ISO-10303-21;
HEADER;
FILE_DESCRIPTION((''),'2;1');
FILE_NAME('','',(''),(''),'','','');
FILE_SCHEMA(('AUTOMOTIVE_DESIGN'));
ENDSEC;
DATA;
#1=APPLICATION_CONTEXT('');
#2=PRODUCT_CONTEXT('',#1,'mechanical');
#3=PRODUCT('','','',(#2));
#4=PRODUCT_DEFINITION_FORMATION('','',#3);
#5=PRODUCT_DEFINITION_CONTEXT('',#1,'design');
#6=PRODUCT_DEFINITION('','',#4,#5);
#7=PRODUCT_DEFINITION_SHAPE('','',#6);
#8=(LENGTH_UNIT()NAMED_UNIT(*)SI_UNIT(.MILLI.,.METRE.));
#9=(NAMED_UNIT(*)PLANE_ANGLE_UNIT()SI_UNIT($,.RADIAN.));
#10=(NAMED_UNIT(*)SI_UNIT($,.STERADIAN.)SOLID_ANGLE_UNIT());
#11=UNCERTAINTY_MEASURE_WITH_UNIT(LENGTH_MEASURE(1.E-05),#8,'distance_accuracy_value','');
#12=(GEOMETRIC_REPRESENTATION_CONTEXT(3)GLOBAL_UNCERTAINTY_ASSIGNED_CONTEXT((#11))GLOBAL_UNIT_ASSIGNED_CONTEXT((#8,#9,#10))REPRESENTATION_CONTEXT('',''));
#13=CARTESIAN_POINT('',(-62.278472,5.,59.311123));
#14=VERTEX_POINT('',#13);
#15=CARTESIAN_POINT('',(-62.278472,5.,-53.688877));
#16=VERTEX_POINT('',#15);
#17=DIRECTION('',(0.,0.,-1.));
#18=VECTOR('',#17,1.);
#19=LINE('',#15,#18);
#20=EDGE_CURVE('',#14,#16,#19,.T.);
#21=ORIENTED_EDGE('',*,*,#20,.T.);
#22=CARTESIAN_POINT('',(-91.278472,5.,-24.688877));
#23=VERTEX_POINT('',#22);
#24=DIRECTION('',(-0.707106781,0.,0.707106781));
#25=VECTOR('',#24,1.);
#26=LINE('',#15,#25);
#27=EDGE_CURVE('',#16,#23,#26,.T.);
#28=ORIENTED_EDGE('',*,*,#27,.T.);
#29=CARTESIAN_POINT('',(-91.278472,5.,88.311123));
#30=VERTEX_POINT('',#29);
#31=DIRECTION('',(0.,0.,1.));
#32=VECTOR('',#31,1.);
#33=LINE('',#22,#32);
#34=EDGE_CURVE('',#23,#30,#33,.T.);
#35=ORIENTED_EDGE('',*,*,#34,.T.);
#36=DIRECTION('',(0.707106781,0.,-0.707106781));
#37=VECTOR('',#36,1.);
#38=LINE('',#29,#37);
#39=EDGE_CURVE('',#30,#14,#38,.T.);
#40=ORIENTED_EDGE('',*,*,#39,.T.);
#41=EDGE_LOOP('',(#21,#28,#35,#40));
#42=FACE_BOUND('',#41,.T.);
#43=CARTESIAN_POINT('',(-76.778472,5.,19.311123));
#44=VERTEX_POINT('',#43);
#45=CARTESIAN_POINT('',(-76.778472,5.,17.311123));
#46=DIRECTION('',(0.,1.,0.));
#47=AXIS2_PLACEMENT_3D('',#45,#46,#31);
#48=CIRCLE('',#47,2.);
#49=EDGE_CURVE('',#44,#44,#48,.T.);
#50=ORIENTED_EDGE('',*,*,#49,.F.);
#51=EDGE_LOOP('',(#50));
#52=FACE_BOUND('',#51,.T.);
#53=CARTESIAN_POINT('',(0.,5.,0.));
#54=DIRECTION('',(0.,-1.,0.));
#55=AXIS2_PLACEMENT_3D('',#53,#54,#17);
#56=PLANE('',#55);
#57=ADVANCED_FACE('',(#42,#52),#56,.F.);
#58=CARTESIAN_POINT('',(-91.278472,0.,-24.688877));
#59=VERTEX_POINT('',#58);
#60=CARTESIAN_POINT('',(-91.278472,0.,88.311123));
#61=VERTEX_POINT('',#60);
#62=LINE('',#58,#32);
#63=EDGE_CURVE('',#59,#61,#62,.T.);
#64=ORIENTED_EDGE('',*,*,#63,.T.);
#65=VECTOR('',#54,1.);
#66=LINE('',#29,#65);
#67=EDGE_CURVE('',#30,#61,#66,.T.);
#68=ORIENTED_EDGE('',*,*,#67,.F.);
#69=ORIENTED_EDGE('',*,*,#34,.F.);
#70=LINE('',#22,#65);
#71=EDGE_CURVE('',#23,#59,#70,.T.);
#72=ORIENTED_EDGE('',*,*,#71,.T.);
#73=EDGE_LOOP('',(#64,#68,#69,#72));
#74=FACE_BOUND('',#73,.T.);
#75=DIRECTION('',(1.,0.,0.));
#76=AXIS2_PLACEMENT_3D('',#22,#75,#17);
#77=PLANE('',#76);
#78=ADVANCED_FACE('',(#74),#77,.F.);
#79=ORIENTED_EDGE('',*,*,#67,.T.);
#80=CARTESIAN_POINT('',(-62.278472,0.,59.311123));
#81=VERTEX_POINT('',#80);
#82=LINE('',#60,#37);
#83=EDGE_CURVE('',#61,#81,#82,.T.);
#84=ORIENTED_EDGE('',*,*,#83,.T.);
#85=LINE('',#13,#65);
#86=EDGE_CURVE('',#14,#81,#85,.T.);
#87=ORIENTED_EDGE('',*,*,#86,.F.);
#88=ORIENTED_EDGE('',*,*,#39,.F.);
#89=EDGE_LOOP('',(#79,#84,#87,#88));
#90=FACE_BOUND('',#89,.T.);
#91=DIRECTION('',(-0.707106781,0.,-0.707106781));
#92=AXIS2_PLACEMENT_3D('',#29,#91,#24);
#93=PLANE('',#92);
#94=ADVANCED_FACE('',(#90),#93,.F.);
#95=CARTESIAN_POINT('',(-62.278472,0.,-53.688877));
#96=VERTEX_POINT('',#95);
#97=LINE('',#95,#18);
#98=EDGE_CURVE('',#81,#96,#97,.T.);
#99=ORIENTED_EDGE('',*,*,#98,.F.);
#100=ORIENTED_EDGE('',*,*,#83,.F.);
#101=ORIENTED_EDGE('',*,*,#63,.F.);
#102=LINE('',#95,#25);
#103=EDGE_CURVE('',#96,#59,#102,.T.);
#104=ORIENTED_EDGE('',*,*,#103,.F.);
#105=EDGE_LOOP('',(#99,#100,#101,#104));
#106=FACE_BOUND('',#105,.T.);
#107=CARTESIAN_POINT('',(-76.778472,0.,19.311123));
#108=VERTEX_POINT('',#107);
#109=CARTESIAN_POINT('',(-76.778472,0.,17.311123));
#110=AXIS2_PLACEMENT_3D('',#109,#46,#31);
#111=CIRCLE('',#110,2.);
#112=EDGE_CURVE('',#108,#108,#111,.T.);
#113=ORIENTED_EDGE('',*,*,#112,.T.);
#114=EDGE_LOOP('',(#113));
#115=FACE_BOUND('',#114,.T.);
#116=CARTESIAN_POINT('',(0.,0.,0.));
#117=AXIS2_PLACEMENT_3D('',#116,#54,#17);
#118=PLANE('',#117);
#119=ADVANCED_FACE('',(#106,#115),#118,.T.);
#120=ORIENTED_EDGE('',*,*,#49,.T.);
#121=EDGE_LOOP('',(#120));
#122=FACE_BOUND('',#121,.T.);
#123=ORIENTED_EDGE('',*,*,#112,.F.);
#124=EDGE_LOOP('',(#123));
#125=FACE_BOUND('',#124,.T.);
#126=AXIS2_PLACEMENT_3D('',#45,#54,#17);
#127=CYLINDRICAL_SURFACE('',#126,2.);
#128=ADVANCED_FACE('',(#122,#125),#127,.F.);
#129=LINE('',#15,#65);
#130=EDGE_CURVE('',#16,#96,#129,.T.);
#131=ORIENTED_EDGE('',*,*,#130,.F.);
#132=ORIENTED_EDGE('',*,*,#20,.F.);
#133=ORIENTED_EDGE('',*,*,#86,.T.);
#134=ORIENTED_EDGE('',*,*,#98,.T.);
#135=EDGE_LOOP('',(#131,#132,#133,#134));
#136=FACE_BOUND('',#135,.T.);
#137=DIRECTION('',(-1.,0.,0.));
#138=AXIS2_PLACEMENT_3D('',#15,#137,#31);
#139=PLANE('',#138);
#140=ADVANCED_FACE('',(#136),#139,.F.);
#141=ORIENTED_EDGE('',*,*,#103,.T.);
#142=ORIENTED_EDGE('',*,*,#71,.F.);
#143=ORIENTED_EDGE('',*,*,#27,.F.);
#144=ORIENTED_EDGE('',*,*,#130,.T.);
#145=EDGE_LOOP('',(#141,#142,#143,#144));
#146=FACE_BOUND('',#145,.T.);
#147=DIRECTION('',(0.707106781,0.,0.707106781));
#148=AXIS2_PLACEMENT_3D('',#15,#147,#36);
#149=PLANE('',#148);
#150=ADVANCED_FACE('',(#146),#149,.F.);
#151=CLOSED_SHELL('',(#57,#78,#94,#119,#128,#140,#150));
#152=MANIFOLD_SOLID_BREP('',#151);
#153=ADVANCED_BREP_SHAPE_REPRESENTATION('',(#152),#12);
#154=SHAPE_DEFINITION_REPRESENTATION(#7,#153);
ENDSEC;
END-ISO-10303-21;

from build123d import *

# Parameters (mm, degrees)
SKETCH1_R           = 2
BOSS_EXTRUDE1_DEPTH = 5


with BuildPart() as part:
    # Sketch1 → Boss-Extrude1 (new body)
    with BuildSketch(Plane(origin=(0, 0, 0), x_dir=(1, 0, 0), z_dir=(0, 1, 0))):
        Polygon((-62.278471827, 53.688877211), (-91.278471827, 24.688877211), (-91.278471827, -88.311122789), (-62.278471827, -59.311122789), align=None)
        with Locations((-76.778471827, -17.311122789)):
            Circle(SKETCH1_R, mode=Mode.SUBTRACT)
    extrude(amount=BOSS_EXTRUDE1_DEPTH)


solid = part.part
